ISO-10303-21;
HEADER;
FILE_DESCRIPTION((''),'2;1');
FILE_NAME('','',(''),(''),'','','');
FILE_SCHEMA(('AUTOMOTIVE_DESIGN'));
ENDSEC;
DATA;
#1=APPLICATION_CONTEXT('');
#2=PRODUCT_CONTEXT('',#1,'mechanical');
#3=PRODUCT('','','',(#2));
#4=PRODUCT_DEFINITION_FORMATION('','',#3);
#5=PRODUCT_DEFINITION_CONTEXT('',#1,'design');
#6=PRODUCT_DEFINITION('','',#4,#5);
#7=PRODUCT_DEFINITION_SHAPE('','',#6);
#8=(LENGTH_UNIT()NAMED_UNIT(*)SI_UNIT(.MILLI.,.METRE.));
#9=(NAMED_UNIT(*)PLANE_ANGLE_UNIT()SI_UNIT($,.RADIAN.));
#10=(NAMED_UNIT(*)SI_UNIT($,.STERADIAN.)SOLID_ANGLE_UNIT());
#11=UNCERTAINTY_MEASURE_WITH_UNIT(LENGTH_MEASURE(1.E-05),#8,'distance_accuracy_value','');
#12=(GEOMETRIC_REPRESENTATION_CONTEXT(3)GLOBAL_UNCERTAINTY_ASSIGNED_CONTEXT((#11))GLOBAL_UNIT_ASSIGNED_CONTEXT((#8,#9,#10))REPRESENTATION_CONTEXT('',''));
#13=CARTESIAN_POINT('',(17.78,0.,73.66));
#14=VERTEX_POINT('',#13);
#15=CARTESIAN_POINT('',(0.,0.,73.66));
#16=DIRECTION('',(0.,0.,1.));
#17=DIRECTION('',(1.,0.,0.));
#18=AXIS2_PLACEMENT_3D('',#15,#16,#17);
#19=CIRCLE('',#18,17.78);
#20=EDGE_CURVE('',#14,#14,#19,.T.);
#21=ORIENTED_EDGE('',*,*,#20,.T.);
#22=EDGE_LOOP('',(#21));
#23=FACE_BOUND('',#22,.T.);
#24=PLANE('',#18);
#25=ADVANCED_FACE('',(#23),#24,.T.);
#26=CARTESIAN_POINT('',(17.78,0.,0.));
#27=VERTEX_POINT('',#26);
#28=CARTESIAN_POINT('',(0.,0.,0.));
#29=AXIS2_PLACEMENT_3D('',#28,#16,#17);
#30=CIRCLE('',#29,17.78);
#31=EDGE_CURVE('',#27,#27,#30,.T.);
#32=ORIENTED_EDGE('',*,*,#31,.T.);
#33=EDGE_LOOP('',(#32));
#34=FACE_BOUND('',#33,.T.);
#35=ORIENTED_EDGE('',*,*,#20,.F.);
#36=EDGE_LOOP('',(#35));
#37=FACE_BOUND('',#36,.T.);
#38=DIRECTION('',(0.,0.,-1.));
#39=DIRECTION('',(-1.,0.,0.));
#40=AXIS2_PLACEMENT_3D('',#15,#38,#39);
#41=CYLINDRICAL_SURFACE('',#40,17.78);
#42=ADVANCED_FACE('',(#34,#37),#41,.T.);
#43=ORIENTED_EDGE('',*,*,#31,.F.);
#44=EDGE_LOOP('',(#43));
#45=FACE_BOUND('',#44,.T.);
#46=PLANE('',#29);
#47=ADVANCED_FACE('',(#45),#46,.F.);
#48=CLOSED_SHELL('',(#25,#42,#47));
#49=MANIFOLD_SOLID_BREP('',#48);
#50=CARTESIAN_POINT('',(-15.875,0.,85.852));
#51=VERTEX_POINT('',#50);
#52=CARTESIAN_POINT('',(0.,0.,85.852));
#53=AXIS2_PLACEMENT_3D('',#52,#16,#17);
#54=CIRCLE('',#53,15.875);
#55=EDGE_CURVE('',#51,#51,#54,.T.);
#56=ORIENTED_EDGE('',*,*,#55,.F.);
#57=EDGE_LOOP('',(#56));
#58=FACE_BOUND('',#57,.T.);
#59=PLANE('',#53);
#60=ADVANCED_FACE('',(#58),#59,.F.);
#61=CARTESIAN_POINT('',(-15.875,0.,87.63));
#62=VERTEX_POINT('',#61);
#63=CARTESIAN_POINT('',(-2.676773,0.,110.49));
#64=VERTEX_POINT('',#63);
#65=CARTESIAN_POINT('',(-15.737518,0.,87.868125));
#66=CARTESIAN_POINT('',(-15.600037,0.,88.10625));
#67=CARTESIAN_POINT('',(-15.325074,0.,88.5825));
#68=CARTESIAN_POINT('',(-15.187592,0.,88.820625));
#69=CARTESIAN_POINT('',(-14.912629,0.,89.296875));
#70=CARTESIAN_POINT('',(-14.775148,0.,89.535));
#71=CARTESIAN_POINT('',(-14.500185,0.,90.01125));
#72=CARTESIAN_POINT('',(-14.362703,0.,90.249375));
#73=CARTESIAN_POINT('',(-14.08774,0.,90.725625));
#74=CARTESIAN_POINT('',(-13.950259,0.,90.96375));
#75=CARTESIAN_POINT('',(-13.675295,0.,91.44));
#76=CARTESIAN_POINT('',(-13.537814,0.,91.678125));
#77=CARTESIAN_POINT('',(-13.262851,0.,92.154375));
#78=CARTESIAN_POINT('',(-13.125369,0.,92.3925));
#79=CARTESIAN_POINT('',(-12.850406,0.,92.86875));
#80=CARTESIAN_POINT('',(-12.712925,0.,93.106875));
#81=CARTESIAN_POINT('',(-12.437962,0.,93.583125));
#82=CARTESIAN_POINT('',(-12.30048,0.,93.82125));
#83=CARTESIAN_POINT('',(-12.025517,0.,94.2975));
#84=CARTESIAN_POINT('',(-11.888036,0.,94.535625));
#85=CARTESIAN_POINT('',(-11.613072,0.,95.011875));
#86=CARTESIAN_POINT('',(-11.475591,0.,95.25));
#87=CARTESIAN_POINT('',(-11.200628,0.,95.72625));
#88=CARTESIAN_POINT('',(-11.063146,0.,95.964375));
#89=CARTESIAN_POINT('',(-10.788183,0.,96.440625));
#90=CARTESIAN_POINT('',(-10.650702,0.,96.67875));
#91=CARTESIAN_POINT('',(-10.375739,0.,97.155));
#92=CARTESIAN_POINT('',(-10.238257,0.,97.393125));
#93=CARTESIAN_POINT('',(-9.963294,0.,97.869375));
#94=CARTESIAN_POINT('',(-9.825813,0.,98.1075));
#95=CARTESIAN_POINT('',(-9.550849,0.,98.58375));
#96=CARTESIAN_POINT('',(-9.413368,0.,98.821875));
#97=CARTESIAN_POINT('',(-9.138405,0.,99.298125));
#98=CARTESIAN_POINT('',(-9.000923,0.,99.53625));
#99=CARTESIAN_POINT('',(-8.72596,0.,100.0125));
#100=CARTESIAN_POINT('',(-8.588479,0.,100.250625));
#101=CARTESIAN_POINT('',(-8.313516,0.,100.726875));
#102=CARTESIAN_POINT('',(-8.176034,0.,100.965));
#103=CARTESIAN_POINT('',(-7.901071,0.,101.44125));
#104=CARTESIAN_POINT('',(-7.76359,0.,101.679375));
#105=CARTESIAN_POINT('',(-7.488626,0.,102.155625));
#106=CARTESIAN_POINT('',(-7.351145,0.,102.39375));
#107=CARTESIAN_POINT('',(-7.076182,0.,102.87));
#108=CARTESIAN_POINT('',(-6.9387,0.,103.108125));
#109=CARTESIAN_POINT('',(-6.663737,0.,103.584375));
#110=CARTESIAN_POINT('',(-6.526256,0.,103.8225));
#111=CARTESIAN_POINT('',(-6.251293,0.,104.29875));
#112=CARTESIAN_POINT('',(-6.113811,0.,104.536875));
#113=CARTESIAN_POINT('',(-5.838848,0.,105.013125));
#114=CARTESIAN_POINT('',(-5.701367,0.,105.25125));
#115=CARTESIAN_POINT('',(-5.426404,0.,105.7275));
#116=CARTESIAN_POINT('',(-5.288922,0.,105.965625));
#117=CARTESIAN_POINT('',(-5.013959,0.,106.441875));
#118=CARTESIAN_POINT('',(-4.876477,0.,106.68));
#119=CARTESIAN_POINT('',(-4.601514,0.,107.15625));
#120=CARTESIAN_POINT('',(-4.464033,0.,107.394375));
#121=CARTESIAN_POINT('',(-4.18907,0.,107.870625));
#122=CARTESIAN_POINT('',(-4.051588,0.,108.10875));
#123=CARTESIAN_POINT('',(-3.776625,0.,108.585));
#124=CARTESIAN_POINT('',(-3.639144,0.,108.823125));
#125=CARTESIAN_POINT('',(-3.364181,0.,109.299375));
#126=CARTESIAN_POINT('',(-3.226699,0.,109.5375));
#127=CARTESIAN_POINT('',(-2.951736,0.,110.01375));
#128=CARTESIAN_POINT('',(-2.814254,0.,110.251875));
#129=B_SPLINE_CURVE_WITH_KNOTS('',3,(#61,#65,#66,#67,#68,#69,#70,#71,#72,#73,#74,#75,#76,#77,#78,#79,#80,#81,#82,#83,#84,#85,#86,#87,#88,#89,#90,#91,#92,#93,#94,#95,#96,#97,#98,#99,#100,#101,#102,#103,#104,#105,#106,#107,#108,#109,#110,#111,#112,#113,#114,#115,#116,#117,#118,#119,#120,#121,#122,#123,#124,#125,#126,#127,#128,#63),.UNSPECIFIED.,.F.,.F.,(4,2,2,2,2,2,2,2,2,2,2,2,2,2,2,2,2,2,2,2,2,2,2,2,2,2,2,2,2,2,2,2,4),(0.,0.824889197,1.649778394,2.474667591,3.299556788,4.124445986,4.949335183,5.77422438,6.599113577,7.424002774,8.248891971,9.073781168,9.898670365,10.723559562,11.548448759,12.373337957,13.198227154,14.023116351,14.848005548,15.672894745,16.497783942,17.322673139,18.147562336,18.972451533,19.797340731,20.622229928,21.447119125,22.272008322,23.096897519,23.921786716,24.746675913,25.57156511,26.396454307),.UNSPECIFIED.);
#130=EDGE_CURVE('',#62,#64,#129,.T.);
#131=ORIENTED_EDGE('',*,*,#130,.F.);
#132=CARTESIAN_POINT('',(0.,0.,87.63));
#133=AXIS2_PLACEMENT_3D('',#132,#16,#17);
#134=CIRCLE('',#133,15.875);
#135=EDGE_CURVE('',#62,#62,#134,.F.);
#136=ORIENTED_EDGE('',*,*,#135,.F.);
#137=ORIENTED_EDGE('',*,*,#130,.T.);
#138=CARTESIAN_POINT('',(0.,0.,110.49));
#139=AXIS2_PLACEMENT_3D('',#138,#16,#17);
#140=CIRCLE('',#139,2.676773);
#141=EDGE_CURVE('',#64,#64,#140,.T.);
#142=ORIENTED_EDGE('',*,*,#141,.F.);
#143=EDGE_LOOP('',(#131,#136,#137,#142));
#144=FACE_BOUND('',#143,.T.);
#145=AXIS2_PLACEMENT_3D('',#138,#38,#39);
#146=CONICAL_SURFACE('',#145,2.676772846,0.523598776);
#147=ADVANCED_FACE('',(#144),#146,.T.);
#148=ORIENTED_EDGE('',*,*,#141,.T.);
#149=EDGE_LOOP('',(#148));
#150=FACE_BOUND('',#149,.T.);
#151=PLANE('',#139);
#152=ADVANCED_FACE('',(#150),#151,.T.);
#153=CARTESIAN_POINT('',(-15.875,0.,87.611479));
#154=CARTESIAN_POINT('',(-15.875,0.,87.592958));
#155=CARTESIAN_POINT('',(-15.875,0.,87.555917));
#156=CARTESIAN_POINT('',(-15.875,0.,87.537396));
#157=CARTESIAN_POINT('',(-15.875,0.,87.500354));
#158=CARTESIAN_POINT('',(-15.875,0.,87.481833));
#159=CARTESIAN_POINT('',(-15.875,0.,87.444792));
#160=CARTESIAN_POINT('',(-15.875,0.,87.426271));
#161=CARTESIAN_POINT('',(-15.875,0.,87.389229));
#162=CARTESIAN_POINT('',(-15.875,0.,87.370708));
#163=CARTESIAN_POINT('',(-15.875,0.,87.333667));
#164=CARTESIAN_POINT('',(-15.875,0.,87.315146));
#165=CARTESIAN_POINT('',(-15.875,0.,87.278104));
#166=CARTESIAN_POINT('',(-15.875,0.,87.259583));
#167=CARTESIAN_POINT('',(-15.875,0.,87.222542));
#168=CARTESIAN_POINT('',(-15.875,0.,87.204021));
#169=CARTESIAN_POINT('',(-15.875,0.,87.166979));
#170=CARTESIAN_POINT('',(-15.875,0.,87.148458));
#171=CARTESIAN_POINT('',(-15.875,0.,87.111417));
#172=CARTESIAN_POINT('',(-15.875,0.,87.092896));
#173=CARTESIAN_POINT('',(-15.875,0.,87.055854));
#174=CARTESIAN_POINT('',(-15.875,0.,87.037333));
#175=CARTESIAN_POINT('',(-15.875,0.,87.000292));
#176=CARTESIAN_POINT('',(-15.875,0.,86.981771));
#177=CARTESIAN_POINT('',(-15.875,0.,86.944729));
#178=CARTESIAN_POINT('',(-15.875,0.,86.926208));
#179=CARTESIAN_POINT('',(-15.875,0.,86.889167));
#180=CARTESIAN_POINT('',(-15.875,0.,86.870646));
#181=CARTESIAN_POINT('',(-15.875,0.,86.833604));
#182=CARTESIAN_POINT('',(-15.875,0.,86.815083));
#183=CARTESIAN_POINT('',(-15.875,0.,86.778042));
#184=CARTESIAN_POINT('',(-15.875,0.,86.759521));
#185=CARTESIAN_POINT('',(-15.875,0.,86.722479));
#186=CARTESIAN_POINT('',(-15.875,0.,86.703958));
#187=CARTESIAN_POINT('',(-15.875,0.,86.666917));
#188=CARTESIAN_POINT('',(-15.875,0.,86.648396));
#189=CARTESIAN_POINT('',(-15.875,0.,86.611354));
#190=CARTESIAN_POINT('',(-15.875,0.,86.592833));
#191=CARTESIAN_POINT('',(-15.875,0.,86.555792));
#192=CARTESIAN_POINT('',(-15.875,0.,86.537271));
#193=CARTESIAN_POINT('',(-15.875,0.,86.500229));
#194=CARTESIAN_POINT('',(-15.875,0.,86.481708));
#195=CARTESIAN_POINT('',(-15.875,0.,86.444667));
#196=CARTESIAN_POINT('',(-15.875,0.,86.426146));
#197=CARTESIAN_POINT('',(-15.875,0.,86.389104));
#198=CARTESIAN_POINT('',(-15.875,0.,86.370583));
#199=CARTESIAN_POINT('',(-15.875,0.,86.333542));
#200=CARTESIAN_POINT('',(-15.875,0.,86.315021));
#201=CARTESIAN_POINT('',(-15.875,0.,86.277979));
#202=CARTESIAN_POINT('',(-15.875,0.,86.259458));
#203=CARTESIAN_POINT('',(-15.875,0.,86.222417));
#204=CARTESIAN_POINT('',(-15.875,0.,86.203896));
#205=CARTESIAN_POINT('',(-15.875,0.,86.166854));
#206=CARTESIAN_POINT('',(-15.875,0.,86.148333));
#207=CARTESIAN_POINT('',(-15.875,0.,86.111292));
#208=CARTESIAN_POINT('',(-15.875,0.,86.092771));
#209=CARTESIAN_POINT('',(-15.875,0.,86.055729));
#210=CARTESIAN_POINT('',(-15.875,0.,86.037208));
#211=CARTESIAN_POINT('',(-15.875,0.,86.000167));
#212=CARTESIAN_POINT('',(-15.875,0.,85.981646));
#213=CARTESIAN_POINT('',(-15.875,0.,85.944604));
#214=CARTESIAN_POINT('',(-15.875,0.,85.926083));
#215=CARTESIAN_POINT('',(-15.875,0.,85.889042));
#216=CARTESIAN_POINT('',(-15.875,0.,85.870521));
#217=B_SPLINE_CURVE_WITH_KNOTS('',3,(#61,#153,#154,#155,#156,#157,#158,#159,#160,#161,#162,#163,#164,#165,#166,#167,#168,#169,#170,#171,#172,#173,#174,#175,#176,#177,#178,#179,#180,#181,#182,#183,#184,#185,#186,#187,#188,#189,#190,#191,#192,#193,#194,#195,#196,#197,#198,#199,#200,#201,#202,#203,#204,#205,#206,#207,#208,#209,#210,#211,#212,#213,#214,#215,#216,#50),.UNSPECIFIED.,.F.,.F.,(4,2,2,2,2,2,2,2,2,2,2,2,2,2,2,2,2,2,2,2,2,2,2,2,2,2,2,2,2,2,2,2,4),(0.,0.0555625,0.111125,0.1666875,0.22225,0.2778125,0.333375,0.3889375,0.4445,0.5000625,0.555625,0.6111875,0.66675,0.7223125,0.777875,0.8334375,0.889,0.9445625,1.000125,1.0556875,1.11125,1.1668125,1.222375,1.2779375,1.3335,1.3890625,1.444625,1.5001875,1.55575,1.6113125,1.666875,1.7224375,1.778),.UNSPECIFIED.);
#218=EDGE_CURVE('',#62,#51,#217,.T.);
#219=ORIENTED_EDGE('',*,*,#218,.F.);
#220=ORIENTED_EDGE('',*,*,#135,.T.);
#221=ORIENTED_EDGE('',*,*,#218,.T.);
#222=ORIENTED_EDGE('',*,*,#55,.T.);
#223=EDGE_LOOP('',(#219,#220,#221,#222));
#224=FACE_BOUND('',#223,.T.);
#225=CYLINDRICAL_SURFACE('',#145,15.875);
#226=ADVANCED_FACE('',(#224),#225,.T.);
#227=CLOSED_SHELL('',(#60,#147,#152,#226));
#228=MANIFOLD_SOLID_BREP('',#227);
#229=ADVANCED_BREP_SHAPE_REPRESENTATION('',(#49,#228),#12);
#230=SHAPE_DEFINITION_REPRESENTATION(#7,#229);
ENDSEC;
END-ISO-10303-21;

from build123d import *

# Parameters (mm, degrees)
SKETCH1_R           = 17.78
BOSS_EXTRUDE1_DEPTH = 73.66
SKETCH2_R           = 15.875
BOSS_EXTRUDE2_DEPTH = 24.638
CHAMFER1_SIZE       = 22.86
CHAMFER1_SIZE2      = 13.198227154


with BuildPart() as part:
    # Sketch1 → Boss-Extrude1 (new body)
    with BuildSketch(Plane.XY):
        Circle(SKETCH1_R)
    extrude(amount=BOSS_EXTRUDE1_DEPTH)


with BuildPart() as body_2:
    # Sketch2 → Boss-Extrude2 (new body)
    with BuildSketch(Plane.XY.offset(85.852)):
        with Locations(Location((0, 0, 0), (0, 0, 180))):
            Circle(SKETCH2_R)
    extrude(amount=BOSS_EXTRUDE2_DEPTH)

    # Chamfer1
    chamfer1_edges = [body_2.edges().sort_by_distance(p)[0] for p in [
        (15.875, 0, 110.49),
    ]]
    chamfer1_side = [body_2.faces().sort_by_distance(p)[0] for p in [
        (15.875, 0, 98.171),
    ]]
    chamfer(chamfer1_edges, length=CHAMFER1_SIZE, length2=CHAMFER1_SIZE2, reference=chamfer1_side[0])


solid = Compound([part.part, body_2.part])
